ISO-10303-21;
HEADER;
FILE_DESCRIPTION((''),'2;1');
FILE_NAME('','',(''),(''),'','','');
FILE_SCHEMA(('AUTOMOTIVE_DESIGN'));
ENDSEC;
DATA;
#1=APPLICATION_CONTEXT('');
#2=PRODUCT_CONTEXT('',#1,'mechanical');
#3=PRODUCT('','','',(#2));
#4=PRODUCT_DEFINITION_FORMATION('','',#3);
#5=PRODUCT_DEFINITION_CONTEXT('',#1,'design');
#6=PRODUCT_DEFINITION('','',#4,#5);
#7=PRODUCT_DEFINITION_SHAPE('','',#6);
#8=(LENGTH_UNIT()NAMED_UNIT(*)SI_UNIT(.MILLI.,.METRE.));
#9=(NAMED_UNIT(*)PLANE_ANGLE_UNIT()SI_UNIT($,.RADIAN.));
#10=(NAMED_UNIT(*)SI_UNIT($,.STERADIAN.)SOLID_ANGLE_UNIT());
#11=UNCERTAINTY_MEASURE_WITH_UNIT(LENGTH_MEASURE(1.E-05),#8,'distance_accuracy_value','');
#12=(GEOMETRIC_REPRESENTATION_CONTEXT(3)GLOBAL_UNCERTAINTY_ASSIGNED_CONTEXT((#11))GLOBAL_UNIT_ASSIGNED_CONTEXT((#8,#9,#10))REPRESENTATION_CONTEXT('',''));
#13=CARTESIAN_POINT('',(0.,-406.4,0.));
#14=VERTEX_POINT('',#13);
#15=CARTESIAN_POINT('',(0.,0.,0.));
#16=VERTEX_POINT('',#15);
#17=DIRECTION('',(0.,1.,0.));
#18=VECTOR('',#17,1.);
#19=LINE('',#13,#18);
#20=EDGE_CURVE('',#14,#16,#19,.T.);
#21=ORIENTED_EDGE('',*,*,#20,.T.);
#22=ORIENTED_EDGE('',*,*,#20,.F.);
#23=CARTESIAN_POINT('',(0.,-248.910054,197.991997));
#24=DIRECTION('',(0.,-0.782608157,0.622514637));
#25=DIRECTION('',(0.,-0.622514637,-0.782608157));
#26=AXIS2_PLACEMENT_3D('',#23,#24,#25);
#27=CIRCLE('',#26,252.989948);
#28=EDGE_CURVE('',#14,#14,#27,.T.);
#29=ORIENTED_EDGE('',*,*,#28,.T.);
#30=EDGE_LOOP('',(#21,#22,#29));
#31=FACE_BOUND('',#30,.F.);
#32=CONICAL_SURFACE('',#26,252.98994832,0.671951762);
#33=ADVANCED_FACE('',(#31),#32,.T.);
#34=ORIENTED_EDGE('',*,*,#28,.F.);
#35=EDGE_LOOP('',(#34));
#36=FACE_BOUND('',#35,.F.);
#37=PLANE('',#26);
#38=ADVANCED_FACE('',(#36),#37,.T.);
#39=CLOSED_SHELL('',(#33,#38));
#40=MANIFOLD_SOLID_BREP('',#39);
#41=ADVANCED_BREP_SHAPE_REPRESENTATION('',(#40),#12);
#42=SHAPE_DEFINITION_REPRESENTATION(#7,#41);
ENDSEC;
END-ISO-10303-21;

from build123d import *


with BuildPart() as f1:
    # F0 (on Right) → F1 (revolve)
    with BuildSketch(Plane.YZ):
        Polygon((-406.4, 0), (0, 0), (-248.9100542427, 197.9919971644), align=None)
    revolve(axis=Axis((0, -124.4550271213, 98.9959985822), (0, -0.7826081569, 0.6225146366)))


solid = f1.part
